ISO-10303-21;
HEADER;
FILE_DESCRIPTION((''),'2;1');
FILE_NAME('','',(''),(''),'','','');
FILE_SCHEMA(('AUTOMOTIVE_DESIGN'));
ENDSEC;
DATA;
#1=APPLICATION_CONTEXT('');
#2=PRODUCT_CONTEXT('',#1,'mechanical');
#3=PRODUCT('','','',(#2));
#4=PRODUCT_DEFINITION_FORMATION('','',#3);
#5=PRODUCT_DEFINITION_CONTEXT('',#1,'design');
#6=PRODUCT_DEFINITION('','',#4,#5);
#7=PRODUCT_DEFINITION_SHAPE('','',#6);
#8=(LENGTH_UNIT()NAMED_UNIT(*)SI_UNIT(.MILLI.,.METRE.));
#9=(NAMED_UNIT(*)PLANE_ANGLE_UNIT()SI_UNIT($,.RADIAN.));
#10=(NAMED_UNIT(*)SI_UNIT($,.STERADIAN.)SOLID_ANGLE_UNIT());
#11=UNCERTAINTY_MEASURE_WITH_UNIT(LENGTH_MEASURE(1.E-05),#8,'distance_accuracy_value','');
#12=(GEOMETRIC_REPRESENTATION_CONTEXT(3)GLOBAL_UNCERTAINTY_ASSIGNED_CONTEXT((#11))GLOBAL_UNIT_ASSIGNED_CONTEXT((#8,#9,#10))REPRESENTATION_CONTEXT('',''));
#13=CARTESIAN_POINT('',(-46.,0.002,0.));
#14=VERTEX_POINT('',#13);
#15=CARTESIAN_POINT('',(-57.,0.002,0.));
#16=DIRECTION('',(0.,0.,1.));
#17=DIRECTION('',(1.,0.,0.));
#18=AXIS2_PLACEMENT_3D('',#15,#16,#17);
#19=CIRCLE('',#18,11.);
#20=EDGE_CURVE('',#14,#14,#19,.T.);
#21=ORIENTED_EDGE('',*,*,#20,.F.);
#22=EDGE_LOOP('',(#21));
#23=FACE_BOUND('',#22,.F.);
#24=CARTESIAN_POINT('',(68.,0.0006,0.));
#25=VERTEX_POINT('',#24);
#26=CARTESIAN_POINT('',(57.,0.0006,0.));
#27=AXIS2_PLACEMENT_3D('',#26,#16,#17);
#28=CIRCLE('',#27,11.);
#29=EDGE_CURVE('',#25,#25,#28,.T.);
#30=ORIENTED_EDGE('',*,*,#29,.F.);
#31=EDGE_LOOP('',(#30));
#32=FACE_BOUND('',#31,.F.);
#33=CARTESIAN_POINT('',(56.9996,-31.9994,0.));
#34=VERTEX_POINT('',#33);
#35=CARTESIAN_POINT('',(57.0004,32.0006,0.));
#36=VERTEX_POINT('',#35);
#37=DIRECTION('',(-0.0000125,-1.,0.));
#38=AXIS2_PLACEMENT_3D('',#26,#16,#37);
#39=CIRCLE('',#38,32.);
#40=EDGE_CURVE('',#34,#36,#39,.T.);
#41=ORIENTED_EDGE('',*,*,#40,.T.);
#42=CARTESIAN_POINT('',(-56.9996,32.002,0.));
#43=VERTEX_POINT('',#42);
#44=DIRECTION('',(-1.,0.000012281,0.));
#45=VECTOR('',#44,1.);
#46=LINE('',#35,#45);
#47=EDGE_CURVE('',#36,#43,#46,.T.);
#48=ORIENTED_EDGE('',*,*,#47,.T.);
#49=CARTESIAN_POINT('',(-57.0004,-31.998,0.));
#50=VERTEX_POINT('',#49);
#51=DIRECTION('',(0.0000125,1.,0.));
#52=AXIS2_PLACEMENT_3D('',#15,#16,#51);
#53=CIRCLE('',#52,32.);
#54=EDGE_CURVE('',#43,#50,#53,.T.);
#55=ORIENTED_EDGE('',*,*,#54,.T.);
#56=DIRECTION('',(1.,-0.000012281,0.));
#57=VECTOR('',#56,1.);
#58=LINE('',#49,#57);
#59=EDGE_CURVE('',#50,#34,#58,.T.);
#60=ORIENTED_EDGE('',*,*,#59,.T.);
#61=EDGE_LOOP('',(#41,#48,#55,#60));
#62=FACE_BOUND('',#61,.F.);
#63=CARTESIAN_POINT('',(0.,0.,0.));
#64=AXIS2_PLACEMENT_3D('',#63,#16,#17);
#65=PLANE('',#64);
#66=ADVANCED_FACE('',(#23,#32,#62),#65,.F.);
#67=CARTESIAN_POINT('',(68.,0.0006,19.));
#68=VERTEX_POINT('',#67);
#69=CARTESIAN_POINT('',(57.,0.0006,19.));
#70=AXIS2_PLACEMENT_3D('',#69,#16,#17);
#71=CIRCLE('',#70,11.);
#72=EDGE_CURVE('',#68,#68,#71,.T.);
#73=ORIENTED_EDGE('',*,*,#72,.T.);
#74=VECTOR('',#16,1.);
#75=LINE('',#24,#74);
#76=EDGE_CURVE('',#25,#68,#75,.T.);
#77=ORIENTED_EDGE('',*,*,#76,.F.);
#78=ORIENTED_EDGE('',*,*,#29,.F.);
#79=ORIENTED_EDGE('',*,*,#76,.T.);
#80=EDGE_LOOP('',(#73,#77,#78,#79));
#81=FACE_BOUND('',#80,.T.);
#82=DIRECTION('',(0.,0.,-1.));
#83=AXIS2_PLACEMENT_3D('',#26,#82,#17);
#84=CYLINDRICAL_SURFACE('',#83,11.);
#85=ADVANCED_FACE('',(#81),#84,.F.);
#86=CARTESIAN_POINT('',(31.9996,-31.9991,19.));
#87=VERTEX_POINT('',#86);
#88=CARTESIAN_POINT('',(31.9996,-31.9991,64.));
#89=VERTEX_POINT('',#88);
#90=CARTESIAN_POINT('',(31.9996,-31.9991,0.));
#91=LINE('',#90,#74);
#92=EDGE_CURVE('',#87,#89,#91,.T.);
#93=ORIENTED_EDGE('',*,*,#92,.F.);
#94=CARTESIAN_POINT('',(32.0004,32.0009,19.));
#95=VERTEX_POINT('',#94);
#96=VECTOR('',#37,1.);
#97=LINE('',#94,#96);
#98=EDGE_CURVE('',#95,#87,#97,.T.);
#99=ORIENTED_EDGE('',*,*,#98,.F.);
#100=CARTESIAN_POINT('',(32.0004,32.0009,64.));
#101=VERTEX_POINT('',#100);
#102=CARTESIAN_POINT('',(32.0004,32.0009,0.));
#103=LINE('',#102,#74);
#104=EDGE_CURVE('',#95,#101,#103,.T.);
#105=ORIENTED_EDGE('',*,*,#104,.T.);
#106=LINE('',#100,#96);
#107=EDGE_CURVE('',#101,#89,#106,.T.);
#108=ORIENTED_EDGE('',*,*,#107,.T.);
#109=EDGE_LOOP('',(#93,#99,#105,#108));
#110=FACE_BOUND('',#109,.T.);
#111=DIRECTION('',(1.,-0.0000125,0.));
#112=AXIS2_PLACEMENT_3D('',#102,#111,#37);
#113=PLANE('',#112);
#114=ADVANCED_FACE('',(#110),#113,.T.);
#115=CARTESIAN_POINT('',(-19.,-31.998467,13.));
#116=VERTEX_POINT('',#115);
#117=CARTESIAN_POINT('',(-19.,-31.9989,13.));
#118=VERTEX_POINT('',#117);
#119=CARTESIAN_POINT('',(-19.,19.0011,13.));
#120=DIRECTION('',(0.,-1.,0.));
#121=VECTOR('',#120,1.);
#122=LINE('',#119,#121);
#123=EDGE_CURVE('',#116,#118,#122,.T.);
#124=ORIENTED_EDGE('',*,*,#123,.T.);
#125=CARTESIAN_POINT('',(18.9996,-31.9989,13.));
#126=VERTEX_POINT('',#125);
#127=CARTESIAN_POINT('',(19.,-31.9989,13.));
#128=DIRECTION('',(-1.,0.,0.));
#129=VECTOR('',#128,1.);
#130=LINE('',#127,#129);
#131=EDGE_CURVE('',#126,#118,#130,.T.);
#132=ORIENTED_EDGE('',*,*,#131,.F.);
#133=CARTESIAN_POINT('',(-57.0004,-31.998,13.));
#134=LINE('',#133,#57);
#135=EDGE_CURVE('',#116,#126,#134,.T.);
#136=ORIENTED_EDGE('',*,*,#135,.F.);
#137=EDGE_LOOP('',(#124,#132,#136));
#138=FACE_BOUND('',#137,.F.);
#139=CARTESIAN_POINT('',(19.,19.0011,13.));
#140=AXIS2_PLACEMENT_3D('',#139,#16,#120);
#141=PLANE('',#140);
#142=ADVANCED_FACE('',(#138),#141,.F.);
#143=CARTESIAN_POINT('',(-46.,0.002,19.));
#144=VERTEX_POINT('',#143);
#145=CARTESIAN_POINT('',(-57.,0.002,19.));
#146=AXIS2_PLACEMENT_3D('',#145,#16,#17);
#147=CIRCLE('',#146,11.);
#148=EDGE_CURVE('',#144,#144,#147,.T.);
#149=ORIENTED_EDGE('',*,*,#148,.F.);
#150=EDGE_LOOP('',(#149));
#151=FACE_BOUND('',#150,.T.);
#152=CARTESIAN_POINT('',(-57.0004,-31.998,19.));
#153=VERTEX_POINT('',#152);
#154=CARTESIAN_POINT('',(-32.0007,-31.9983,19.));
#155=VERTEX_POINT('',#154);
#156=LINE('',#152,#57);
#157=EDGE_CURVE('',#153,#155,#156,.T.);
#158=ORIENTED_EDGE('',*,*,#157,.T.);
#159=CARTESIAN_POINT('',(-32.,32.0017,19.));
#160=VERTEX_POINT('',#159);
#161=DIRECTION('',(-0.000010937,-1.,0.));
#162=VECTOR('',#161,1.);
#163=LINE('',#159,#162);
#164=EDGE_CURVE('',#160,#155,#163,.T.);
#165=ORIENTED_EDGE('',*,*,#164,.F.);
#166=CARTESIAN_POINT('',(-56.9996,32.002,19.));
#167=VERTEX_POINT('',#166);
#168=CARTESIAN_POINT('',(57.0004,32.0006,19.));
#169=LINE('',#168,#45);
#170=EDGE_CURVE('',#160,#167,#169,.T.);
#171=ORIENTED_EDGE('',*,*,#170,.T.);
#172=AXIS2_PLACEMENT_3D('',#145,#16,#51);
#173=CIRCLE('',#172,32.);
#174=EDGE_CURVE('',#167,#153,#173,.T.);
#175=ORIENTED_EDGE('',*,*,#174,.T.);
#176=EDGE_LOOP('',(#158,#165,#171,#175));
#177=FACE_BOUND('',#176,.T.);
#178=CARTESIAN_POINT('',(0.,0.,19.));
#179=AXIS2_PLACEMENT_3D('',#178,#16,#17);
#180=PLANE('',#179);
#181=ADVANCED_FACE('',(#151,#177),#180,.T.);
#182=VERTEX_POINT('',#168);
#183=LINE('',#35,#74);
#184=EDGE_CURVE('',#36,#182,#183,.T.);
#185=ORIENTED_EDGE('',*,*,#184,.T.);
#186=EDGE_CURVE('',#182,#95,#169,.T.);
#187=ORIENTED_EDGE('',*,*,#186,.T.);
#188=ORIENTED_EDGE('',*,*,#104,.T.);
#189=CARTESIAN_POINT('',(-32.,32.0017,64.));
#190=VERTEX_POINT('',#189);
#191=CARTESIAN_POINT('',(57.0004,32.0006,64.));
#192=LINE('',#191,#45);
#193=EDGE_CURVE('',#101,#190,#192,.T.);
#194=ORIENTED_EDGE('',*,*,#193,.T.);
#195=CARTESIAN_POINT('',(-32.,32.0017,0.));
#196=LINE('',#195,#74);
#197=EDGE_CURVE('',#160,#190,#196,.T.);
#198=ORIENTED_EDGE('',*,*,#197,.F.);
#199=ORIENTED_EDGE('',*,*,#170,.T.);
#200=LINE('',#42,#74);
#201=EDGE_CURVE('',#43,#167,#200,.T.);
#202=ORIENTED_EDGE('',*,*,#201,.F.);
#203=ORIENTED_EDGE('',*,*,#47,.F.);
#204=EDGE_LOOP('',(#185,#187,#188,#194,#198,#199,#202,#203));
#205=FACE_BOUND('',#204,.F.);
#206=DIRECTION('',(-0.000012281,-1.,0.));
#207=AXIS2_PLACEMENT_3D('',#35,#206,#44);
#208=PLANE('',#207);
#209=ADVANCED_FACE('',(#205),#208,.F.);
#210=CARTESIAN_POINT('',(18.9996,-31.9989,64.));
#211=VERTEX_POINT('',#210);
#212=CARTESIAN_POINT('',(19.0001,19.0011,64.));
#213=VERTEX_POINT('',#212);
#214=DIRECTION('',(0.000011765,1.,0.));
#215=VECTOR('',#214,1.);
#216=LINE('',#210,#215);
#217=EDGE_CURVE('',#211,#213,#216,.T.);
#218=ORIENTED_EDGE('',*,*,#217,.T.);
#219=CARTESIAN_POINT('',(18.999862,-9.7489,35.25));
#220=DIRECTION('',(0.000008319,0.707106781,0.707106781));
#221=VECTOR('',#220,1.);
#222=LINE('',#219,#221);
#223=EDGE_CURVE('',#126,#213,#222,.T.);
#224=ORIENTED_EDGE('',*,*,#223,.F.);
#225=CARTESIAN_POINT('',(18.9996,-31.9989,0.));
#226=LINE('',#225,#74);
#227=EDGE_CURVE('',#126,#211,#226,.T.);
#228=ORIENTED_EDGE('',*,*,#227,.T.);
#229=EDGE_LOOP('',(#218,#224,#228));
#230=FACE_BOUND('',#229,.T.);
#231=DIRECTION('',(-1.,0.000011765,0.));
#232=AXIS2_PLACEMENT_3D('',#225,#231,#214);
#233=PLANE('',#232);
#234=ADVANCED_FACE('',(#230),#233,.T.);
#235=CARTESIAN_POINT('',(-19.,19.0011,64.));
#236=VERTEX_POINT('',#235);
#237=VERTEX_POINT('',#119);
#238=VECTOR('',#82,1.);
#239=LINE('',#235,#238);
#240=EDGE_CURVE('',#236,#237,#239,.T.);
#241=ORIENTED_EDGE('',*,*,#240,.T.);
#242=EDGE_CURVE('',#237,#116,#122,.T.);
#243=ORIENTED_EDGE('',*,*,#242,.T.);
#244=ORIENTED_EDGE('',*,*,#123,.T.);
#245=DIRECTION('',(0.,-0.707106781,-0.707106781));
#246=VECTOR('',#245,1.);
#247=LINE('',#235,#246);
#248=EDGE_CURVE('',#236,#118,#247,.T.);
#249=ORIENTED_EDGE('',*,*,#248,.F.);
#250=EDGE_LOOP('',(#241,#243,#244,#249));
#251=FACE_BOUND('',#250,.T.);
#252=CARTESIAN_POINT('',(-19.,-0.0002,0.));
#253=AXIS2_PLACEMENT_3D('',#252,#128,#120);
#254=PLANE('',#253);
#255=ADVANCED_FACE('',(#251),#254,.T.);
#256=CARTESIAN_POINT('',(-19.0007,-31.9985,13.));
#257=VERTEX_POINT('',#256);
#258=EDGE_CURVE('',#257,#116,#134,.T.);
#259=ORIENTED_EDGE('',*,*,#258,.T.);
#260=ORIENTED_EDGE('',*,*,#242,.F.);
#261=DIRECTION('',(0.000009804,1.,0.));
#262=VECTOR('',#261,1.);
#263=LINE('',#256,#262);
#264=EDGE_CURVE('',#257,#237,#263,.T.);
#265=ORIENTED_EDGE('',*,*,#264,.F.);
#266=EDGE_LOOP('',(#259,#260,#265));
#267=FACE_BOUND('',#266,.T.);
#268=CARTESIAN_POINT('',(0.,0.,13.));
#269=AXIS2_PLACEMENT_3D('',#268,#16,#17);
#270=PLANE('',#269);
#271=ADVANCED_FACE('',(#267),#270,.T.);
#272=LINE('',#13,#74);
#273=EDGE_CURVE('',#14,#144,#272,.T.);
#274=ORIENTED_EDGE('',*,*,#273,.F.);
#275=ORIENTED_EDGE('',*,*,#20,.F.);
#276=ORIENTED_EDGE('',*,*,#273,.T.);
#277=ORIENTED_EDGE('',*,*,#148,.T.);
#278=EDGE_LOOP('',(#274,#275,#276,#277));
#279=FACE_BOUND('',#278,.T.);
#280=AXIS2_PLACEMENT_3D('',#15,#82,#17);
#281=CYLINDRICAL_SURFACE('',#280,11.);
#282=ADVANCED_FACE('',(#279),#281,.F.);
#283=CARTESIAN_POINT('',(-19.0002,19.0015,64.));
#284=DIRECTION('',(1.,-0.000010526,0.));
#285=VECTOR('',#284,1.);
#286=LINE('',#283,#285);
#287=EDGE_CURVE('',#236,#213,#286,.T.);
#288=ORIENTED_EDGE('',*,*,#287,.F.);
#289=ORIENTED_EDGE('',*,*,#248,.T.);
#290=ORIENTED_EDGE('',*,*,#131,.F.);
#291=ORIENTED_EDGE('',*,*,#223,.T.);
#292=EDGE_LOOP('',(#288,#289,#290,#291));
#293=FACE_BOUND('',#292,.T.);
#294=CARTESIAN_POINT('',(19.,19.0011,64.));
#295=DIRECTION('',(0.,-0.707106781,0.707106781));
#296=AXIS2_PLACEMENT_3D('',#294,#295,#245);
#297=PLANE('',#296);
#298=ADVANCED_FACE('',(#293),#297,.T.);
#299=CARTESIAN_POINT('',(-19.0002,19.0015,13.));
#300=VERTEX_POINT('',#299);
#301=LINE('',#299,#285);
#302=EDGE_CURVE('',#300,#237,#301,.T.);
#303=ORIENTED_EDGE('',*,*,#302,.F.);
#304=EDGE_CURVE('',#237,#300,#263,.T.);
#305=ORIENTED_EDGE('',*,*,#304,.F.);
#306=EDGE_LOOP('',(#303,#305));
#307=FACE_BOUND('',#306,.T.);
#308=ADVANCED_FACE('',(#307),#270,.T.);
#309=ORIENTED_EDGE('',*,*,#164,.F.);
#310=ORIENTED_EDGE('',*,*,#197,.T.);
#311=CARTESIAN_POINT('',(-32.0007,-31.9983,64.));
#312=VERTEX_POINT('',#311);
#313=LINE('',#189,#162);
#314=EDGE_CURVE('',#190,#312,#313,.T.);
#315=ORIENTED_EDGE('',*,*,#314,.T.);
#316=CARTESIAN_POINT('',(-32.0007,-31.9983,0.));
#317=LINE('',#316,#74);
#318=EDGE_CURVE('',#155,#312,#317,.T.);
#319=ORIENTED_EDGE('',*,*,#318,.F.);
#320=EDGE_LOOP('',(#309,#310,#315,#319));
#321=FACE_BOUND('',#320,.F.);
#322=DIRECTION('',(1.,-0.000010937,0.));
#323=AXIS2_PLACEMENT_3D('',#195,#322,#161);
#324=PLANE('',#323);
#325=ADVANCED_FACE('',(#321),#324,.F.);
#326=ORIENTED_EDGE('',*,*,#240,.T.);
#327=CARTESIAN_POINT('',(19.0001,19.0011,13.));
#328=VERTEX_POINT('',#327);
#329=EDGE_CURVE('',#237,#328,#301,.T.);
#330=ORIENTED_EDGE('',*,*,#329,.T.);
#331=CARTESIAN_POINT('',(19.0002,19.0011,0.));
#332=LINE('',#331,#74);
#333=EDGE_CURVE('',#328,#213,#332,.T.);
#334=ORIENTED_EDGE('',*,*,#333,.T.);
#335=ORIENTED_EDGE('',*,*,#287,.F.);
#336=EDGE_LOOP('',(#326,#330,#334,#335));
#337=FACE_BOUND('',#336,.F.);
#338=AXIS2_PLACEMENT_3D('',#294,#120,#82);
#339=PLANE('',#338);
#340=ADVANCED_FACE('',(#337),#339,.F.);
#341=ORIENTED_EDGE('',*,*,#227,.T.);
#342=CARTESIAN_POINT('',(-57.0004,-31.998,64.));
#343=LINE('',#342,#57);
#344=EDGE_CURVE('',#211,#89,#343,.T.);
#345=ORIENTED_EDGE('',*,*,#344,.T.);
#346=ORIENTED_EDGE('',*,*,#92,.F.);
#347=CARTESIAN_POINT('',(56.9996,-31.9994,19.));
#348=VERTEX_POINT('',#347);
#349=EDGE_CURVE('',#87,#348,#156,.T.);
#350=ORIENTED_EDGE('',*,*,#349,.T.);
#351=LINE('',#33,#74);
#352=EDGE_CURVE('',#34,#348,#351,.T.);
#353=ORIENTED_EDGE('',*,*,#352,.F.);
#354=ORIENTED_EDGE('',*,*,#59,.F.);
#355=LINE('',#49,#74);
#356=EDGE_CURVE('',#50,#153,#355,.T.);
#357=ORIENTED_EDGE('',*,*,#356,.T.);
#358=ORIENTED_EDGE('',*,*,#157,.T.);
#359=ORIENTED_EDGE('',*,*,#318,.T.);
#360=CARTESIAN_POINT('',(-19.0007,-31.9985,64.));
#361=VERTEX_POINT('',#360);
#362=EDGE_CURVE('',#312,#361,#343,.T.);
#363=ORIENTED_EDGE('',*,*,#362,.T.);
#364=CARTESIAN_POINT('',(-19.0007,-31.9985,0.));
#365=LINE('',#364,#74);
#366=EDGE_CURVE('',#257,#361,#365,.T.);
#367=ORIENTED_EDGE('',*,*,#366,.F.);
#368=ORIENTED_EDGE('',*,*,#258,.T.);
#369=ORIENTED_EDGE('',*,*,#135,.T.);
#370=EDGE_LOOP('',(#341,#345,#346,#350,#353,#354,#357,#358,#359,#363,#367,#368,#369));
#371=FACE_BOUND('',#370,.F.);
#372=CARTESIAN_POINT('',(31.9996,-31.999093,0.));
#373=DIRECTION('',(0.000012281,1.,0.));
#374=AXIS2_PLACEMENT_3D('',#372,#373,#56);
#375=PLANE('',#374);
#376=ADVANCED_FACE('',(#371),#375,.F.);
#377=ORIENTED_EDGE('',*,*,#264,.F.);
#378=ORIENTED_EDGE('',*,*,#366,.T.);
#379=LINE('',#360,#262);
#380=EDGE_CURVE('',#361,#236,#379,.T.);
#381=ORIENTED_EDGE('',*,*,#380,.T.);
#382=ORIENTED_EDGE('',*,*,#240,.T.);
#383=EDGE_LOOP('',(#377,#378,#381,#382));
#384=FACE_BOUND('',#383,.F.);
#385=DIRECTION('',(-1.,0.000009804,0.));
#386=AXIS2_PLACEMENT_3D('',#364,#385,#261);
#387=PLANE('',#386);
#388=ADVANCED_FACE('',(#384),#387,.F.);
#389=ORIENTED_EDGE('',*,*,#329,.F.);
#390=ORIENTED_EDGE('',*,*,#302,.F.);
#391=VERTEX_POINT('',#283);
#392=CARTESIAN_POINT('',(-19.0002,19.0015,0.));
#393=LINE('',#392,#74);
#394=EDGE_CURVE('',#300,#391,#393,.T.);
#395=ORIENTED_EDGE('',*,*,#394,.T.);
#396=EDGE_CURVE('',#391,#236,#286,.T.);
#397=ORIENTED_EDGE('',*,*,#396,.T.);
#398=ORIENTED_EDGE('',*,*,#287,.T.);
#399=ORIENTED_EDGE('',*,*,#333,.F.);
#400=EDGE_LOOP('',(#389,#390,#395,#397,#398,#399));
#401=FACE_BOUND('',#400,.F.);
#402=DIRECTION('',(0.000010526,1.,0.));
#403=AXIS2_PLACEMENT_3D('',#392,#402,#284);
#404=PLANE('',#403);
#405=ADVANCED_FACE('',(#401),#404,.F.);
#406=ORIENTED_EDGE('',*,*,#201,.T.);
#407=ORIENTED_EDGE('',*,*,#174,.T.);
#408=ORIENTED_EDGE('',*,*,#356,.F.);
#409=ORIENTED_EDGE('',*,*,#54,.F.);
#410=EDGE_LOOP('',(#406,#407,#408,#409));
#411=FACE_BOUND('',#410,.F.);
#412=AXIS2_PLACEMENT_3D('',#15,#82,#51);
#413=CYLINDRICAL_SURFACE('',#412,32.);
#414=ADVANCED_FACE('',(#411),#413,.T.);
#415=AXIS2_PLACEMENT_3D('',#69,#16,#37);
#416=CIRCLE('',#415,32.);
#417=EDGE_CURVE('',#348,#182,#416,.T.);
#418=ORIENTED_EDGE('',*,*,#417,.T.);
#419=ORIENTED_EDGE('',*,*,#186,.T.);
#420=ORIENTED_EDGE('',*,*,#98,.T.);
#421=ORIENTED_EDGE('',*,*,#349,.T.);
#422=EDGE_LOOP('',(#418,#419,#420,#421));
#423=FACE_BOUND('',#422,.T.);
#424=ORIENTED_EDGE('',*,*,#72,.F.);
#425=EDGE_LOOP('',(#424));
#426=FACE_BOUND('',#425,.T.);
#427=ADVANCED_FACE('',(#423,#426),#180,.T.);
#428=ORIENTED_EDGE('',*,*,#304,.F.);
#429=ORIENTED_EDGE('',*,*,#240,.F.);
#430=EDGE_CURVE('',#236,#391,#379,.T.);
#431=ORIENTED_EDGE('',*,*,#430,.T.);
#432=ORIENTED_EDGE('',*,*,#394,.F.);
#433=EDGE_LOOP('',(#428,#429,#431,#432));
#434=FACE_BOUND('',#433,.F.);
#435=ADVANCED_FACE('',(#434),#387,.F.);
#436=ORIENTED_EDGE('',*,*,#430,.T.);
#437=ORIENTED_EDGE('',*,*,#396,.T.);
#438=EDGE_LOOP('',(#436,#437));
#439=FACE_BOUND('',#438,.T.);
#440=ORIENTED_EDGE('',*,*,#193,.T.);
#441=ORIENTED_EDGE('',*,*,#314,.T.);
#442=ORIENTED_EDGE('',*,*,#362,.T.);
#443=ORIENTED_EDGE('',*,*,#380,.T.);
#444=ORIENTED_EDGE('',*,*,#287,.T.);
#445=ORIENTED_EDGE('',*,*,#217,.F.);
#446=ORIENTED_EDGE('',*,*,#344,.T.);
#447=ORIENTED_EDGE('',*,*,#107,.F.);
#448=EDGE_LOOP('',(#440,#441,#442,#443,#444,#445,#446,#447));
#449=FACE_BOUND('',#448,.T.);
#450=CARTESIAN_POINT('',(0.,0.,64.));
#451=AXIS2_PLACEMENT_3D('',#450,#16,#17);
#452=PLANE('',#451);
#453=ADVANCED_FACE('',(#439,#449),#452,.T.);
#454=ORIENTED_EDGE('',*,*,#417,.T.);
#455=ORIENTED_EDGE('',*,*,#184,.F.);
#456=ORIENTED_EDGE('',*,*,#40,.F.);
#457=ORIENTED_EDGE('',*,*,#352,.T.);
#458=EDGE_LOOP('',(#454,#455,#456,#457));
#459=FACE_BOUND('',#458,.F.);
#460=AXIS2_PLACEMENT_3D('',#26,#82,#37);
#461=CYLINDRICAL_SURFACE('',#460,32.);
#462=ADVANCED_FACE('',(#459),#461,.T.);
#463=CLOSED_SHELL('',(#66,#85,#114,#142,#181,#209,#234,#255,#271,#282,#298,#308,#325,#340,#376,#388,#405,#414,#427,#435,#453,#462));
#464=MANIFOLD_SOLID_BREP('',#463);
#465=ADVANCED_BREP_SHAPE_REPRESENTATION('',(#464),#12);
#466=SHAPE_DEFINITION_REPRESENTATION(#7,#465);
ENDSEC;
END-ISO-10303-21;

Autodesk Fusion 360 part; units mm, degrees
sketch "Sketch1" plane through (0, 0, 0) normal (0, 0, 1) x (1, 0, 0)
  circle A0 centre (-57, 0.002) radius 11
  circle A1 centre (57, 0.0006) radius 11
  line L0 (57.0004, 32.0006) -> (-56.9996, 32.002)
  line L1 (-57.0004, -31.998) -> (56.9996, -31.9994)
  line L2 (-32, 32.0017) -> (-32.0007, -31.9983)
  line L3 (32.0004, 32.0009) -> (31.9996, -31.9991)
  line L4 (-19.0007, -31.9985) -> (-19.0002, 19.0015)
  line L5 (18.9996, -31.9989) -> (19.0002, 19.0011)
  line L6 (-19.0004, 19.0015) -> (19.0002, 19.0011)
  arc A2 (-56.9996, 32.002) -> (-57.0004, -31.998) centre (-57, 0.002) ccw
  arc A3 (56.9996, -31.9994) -> (57.0004, 32.0006) centre (57, 0.0006) ccw
  dimension "d1" = 22
  dimension "d2" = 57
  dimension "d3" = 22
  dimension "d4" = 57
  dimension "d7" = 114
  dimension "d8" = 64
  dimension "d9" = 32
  dimension "d10" = 32
  dimension "d13" = 51
extrude "Extrude2" add sketch "Sketch1" along normal blind 19 contours L0 L1 L3 A3 makes body 1
extrude "Extrude1" add sketch "Sketch1" along normal blind 19 separate body contours L0 L1 L2 A2 makes body 2
extrude "Extrude3" add sketch "Sketch1" along normal blind 13 separate body contours L1 L4 L5 L6 makes body 3
extrude "Extrude4" add sketch "Sketch1" along normal blind 64 contours L0 L1 L2 L3 L4 L5 L6 bodies 1 2 3
sketch "Sketch3" plane through (19, -0.0002, 0) normal (-1, 0, 0) x (0, -1, 0)
  line L0 (-19.0013, 13) -> (31.9987, 13)
  line L1 (31.9987, 13) -> (31.9987, 64)
  line L2 (31.9987, 64) -> (-19.0013, 64)
  line L3 (-19.0013, 64) -> (-19.0013, 13)
  line L4 (-19.0013, 64) -> (31.9987, 13)
  line L5 (-19.0013, 64) -> (-19.0013, 13)
  line L6 (31.9987, 13) -> (-19.0013, 13)
extrude "Extrude5" add sketch "Sketch3" along normal blind 38 contours L0 L3 L4 L5 L6 bodies 1
